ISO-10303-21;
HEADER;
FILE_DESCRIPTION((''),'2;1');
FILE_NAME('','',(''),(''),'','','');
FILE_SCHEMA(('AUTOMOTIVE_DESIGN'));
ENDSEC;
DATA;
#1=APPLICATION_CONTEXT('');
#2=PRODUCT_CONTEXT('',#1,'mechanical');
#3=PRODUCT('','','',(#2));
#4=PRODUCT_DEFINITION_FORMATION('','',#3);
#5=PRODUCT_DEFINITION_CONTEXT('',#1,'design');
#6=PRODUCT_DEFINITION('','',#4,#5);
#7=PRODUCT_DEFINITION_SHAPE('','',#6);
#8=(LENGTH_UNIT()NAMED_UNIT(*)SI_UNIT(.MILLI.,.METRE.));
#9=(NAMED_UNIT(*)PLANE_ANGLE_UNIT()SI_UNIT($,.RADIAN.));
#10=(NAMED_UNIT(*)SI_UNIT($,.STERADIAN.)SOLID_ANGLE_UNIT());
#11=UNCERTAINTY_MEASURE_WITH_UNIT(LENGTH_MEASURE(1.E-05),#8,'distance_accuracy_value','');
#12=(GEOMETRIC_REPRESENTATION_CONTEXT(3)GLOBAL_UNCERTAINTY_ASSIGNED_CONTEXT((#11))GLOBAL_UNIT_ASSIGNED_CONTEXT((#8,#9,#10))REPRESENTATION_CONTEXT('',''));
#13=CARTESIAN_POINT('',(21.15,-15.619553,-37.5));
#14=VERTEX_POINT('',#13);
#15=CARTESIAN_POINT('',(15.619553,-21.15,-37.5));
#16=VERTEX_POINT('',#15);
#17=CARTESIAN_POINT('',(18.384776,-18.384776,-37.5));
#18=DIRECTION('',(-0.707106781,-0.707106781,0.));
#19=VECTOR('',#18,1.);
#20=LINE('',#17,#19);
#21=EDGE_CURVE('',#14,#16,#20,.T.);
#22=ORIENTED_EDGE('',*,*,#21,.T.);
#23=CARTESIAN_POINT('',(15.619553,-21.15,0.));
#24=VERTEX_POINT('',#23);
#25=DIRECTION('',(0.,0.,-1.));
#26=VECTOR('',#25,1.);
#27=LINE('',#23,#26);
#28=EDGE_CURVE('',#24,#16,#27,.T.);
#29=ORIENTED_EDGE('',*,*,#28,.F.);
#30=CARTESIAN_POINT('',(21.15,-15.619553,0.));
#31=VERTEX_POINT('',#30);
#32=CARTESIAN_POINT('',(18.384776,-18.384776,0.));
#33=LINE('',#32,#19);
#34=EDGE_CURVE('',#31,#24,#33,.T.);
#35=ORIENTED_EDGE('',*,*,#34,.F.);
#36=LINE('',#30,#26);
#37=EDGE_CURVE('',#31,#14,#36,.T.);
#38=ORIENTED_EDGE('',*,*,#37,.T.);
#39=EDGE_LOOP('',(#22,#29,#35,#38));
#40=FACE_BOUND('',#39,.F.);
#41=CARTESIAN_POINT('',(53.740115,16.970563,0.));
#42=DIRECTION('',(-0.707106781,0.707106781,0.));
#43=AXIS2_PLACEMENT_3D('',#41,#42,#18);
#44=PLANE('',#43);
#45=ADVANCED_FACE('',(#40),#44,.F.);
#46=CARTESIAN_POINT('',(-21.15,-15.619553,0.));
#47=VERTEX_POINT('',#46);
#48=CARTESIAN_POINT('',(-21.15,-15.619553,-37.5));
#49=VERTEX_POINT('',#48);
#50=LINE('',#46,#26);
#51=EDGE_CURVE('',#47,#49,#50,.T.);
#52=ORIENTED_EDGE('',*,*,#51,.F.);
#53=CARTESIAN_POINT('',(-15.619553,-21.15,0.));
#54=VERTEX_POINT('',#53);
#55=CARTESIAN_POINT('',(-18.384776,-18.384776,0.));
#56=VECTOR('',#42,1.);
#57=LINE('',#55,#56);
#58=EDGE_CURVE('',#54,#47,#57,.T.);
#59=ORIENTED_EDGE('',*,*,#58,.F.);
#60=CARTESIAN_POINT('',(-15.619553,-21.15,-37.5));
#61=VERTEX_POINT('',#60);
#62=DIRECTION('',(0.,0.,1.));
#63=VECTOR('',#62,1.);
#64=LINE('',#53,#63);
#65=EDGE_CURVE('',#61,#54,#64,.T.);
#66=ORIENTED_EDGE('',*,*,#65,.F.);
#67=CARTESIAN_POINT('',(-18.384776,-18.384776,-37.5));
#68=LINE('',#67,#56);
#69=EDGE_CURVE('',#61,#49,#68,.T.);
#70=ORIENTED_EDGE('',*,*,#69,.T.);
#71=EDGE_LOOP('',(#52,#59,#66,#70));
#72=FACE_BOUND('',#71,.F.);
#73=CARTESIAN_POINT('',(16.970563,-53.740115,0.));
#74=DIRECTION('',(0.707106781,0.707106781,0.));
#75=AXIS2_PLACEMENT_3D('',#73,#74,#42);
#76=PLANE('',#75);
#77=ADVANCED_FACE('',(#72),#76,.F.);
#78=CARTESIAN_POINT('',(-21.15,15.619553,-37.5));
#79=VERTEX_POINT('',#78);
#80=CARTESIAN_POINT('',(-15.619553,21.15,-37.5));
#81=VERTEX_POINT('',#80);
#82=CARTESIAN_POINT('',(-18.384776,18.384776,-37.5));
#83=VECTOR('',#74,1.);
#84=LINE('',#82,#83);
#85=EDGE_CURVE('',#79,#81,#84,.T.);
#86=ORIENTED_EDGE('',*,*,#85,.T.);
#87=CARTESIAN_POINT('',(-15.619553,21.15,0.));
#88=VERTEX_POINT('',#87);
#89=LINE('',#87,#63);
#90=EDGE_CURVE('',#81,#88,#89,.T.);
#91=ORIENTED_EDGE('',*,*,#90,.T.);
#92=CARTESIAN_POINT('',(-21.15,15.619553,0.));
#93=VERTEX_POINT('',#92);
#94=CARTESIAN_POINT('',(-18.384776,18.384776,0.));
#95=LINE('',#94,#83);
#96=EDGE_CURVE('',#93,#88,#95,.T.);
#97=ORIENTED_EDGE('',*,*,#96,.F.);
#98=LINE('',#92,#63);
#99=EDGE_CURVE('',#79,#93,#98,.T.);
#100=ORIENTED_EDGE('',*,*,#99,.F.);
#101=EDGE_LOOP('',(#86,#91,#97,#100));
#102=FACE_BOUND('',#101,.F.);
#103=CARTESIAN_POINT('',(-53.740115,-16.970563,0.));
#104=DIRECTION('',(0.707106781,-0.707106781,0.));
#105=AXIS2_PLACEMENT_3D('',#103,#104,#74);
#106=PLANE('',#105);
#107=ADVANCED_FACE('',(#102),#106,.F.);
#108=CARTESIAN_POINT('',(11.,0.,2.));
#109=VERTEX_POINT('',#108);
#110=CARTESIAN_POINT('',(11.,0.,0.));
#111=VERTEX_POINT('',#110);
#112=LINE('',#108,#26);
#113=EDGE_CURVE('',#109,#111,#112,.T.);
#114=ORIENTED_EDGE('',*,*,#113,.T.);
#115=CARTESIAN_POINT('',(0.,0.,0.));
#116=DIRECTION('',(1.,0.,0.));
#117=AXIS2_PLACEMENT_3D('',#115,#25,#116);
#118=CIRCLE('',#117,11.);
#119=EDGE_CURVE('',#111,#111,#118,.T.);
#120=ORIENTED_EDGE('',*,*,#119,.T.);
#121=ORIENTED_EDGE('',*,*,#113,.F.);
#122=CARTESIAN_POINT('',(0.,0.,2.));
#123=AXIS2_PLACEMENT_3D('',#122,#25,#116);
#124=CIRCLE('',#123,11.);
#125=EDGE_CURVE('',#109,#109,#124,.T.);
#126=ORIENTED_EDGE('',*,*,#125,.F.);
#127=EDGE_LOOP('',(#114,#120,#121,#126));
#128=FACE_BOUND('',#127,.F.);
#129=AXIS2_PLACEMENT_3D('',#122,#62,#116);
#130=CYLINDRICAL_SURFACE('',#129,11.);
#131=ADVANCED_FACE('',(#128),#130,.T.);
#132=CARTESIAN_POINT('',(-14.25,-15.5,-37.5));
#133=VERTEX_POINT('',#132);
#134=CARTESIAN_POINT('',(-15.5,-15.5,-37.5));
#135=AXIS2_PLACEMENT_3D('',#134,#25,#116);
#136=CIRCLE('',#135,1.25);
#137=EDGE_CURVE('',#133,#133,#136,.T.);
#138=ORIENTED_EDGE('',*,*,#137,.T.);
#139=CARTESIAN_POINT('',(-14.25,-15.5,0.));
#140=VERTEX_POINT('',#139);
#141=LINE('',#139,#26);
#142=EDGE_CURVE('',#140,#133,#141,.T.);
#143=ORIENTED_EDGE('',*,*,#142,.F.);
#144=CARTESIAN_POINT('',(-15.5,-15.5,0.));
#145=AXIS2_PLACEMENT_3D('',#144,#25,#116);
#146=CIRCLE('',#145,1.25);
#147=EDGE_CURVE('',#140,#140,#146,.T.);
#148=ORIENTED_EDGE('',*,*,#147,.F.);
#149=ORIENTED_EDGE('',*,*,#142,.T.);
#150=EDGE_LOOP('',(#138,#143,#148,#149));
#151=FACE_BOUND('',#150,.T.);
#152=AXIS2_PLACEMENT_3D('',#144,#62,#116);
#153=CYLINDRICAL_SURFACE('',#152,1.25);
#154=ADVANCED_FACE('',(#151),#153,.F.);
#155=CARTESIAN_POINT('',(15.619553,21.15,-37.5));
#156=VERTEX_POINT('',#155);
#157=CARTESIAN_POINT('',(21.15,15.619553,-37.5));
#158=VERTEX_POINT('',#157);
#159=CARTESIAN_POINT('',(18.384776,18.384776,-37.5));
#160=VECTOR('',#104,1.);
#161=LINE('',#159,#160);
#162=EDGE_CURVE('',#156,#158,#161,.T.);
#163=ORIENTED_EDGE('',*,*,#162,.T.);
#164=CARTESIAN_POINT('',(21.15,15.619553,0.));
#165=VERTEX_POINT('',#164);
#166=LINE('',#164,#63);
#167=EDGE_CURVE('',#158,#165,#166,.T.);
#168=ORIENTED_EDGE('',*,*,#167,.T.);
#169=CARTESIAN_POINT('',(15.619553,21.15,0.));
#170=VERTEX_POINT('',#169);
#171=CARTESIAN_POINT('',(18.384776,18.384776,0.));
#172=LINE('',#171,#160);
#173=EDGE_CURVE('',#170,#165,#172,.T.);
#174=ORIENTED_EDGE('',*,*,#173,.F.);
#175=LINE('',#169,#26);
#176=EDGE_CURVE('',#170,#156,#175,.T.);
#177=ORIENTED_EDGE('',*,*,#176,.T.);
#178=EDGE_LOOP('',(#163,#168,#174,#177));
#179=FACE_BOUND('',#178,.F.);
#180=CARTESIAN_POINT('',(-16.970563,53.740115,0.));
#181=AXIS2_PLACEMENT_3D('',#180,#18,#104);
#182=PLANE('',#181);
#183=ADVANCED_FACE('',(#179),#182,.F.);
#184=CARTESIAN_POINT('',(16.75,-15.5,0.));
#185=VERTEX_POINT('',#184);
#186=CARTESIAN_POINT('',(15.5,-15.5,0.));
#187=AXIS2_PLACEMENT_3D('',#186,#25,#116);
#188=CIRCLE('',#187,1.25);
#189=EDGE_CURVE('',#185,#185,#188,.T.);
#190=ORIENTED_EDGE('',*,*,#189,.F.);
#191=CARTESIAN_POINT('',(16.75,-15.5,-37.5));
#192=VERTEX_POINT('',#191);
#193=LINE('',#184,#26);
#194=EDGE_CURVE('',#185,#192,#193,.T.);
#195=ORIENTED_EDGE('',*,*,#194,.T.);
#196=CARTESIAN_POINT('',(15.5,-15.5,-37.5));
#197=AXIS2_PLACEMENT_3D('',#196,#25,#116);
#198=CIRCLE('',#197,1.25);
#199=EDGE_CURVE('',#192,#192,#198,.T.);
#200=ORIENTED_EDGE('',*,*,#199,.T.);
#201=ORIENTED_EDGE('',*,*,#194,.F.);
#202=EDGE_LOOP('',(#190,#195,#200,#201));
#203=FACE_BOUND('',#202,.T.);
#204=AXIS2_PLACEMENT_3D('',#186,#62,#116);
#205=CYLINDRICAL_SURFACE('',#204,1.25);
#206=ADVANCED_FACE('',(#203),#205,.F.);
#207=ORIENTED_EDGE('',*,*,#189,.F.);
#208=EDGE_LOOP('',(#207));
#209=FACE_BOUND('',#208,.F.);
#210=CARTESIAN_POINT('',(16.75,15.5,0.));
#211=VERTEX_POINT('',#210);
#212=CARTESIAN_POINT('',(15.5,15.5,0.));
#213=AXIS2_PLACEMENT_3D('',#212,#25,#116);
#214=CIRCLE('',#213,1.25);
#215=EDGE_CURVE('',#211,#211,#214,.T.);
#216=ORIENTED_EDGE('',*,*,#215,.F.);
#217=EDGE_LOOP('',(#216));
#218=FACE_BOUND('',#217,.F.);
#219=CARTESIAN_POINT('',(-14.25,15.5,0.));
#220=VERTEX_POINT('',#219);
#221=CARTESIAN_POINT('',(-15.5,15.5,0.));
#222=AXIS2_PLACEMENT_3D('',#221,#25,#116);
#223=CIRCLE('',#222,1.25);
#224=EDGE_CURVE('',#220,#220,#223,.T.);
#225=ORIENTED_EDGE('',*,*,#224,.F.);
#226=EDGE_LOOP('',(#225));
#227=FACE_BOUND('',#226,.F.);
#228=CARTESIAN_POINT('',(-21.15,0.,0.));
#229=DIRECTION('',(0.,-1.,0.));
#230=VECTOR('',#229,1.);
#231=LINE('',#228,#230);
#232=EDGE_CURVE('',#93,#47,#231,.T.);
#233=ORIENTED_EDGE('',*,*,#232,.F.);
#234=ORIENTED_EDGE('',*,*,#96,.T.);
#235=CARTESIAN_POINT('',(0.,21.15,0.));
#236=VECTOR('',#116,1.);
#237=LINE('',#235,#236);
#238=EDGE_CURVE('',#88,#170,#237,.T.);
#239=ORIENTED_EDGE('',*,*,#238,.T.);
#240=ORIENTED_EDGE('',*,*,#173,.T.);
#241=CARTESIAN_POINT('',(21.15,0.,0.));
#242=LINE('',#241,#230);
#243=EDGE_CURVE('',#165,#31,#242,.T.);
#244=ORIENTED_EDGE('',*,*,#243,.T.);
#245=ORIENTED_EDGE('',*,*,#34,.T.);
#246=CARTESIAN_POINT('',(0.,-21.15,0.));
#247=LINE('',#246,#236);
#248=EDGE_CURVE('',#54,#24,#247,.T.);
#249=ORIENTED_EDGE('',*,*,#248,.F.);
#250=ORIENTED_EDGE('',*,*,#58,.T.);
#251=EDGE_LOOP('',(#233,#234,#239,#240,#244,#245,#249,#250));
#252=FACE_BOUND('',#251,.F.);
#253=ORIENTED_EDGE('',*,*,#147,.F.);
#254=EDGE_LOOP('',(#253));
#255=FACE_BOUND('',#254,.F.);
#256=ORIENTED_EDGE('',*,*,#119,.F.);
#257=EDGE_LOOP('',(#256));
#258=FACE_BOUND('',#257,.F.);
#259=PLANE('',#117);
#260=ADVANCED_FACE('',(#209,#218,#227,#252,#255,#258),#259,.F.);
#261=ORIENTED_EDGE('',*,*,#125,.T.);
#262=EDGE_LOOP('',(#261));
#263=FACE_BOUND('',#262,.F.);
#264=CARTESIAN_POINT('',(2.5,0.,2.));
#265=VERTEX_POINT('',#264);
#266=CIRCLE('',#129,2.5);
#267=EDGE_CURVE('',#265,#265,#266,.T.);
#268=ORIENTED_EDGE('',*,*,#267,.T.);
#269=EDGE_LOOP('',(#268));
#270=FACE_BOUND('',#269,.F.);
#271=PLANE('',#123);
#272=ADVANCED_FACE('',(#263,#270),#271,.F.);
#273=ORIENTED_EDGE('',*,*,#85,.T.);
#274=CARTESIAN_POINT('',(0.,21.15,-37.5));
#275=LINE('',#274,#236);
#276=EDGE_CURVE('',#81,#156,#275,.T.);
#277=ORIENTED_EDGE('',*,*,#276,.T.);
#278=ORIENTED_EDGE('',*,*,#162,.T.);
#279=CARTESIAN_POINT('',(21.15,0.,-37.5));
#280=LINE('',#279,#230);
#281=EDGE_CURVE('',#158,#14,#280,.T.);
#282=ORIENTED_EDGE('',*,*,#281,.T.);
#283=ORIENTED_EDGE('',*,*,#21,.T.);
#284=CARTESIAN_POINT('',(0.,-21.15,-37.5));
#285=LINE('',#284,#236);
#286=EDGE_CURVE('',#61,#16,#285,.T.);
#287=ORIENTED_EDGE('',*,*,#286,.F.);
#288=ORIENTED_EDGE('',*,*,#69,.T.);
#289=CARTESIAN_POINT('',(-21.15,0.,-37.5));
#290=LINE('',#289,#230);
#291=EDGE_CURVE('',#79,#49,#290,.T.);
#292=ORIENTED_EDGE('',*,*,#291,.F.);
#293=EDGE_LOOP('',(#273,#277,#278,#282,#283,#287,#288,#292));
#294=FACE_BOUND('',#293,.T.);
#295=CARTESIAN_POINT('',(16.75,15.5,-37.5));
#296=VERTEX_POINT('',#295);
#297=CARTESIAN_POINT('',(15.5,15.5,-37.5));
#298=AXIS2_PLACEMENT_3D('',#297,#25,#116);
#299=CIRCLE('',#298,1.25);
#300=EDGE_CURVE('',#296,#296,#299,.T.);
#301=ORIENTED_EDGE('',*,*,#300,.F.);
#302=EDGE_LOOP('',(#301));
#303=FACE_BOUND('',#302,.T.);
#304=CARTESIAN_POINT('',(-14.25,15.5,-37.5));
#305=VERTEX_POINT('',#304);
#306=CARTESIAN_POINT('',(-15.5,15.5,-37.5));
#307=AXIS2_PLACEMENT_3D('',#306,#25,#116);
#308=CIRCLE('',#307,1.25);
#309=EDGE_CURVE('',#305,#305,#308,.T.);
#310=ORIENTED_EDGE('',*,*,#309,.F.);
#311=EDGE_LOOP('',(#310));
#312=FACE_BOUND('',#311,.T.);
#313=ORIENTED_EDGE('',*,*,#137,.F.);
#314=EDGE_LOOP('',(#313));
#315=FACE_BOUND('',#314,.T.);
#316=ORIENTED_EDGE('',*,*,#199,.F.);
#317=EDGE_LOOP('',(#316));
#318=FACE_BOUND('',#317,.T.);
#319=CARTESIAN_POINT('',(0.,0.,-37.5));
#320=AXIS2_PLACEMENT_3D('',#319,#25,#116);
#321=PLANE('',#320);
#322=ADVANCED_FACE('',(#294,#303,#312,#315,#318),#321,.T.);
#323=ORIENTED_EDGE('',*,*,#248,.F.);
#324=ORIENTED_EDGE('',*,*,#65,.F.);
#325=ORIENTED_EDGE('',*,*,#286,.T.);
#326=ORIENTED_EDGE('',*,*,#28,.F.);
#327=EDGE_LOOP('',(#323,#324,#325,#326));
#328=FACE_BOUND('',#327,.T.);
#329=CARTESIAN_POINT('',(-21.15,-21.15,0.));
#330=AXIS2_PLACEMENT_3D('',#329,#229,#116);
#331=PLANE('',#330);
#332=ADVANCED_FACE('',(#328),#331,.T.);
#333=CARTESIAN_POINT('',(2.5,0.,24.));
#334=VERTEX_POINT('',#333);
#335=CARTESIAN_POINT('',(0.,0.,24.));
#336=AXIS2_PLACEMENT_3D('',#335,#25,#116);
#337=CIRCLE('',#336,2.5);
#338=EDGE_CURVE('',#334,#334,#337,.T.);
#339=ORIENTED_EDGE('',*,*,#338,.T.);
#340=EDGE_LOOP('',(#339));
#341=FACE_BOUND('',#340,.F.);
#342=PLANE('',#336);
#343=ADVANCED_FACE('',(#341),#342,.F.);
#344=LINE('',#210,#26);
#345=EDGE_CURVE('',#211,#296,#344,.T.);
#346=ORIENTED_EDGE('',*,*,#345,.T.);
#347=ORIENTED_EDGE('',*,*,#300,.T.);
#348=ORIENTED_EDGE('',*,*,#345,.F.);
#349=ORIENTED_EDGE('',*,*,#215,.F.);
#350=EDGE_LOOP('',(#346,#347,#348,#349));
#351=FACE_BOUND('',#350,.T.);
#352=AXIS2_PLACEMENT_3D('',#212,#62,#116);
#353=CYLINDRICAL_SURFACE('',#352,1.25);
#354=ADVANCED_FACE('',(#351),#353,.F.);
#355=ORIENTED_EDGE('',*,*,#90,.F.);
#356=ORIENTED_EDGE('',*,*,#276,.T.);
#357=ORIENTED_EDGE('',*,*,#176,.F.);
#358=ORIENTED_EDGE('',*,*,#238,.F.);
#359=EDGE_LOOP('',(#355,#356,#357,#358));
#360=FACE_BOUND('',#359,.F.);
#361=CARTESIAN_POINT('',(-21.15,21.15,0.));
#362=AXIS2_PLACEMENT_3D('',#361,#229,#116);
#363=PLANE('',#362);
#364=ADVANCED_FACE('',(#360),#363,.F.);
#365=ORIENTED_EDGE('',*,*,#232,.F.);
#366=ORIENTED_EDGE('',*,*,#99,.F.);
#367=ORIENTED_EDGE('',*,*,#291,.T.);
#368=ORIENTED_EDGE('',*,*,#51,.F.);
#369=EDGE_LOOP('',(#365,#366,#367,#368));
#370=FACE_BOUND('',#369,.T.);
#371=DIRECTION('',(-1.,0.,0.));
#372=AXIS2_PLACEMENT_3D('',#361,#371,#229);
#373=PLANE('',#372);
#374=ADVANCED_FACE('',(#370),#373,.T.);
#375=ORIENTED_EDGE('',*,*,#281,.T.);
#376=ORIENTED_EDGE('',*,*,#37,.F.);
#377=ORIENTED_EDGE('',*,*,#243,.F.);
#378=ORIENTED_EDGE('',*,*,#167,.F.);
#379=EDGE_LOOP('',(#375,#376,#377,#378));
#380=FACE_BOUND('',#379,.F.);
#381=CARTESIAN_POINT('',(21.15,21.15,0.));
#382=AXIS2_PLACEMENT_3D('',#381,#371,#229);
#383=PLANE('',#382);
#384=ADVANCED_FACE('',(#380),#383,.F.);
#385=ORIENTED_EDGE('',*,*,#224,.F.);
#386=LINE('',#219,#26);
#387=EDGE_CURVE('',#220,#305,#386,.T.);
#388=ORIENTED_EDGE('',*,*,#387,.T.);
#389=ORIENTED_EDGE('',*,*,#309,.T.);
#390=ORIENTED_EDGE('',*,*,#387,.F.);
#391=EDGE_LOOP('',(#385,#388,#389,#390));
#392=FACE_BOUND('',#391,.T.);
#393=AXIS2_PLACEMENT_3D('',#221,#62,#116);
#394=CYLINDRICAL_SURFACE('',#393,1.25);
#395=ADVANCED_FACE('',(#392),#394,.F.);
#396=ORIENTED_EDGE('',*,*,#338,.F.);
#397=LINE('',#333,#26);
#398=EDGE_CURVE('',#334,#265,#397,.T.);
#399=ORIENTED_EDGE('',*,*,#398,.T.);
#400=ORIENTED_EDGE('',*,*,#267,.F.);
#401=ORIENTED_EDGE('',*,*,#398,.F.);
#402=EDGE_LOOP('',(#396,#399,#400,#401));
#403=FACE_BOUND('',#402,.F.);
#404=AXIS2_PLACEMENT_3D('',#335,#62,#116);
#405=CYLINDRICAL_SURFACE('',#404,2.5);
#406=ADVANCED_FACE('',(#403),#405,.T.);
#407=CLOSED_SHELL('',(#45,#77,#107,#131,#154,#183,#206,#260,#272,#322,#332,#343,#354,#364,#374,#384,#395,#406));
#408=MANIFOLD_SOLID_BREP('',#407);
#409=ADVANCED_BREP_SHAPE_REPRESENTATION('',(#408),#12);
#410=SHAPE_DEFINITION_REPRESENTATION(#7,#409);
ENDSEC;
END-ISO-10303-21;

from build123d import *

# Parameters (mm, degrees)
BOX002_W                    = 100
BOX002_H                    = 100
BOX002_DEPTH                = 37.5
COMPOUND002_PLACEMENT_ANGLE = 135
BOX003_W                    = 100
BOX003_H                    = 100
BOX003_DEPTH                = 37.5
COMPOUND003_PLACEMENT_ANGLE = 225
BOX004_W                    = 100
BOX004_H                    = 100
BOX004_DEPTH                = 37.5
COMPOUND004_PLACEMENT_ANGLE = 315
BOX001_W                    = 100
BOX001_H                    = 100
BOX001_DEPTH                = 37.5
COMPOUND001_PLACEMENT_ANGLE = 45
CYLINDER002_R               = 1.25
CYLINDER002_DEPTH           = 37.5
CYLINDER003_R               = 1.25
CYLINDER003_DEPTH           = 37.5
CYLINDER004_R               = 1.25
CYLINDER004_DEPTH           = 37.5
CYLINDER005_R               = 1.25
CYLINDER005_DEPTH           = 37.5
BOX_W                       = 42.3
BOX_H                       = 42.3
BOX_DEPTH                   = 37.5
CYLINDER_R                  = 11
CYLINDER_DEPTH              = 2
CYLINDER001_R               = 2.5
CYLINDER001_DEPTH           = 24
CUT001_PLACEMENT_ANGLE      = 180


with BuildPart() as compound002:
    # Box002 → Box002 (new body)
    with BuildSketch(Plane(origin=(26, -50, 0), x_dir=(1, 0, 0), z_dir=(0, 0, 1))):
        with Locations((50, 50)):
            Rectangle(BOX002_W, BOX002_H)
    extrude(amount=BOX002_DEPTH)


with BuildPart() as compound002_1:
    # Compound002 placement: moved
    add(compound002.part.rotate(Axis((0, 0, 0), (0, 0, 1)), COMPOUND002_PLACEMENT_ANGLE))


with BuildPart() as compound003:
    # Box003 → Box003 (new body)
    with BuildSketch(Plane(origin=(26, -50, 0), x_dir=(1, 0, 0), z_dir=(0, 0, 1))):
        with Locations((50, 50)):
            Rectangle(BOX003_W, BOX003_H)
    extrude(amount=BOX003_DEPTH)


with BuildPart() as compound003_1:
    # Compound003 placement: moved
    add(compound003.part.rotate(Axis((0, 0, 0), (0, 0, 1)), COMPOUND003_PLACEMENT_ANGLE))


with BuildPart() as compound004:
    # Box004 → Box004 (new body)
    with BuildSketch(Plane(origin=(26, -50, 0), x_dir=(1, 0, 0), z_dir=(0, 0, 1))):
        with Locations((50, 50)):
            Rectangle(BOX004_W, BOX004_H)
    extrude(amount=BOX004_DEPTH)


with BuildPart() as compound004_1:
    # Compound004 placement: moved
    add(compound004.part.rotate(Axis((0, 0, 0), (0, 0, 1)), COMPOUND004_PLACEMENT_ANGLE))


with BuildPart() as compound005:
    # Box001 → Box001 (new body)
    with BuildSketch(Plane(origin=(26, -50, 0), x_dir=(1, 0, 0), z_dir=(0, 0, 1))):
        with Locations((50, 50)):
            Rectangle(BOX001_W, BOX001_H)
    extrude(amount=BOX001_DEPTH)


with BuildPart() as compound005_1:
    # Compound001 placement: moved
    add(compound005.part.rotate(Axis((0, 0, 0), (0, 0, 1)), COMPOUND001_PLACEMENT_ANGLE))

    # Compound005: union Compound002, Compound003, Compound004
    add(compound002_1.part)
    add(compound003_1.part)
    add(compound004_1.part)


with BuildPart() as cylinder002:
    # Cylinder002 → Cylinder002 (new body)
    with BuildSketch(Plane(origin=(15.5, 15.5, 0), x_dir=(1, 0, 0), z_dir=(0, 0, 1))):
        Circle(CYLINDER002_R)
    extrude(amount=CYLINDER002_DEPTH)


with BuildPart() as cylinder003:
    # Cylinder003 → Cylinder003 (new body)
    with BuildSketch(Plane(origin=(-15.5, 15.5, 0), x_dir=(1, 0, 0), z_dir=(0, 0, 1))):
        Circle(CYLINDER003_R)
    extrude(amount=CYLINDER003_DEPTH)


with BuildPart() as cylinder004:
    # Cylinder004 → Cylinder004 (new body)
    with BuildSketch(Plane(origin=(15.5, -15.5, 0), x_dir=(1, 0, 0), z_dir=(0, 0, 1))):
        Circle(CYLINDER004_R)
    extrude(amount=CYLINDER004_DEPTH)


with BuildPart() as compound:
    # Cylinder005 → Cylinder005 (new body)
    with BuildSketch(Plane(origin=(-15.5, -15.5, 0), x_dir=(1, 0, 0), z_dir=(0, 0, 1))):
        Circle(CYLINDER005_R)
    extrude(amount=CYLINDER005_DEPTH)

    # Compound: union Cylinder002, Cylinder003, Cylinder004
    add(cylinder002.part)
    add(cylinder003.part)
    add(cylinder004.part)


with BuildPart() as cube:
    # Box → Box (new body)
    with BuildSketch(Plane(origin=(-21.15, -21.15, 0), x_dir=(1, 0, 0), z_dir=(0, 0, 1))):
        with Locations((21.15, 21.15)):
            Rectangle(BOX_W, BOX_H)
    extrude(amount=BOX_DEPTH)


with BuildPart() as fusion:
    # Cylinder → Cylinder (new body)
    with BuildSketch(Plane.XY.offset(-2)):
        Circle(CYLINDER_R)
    extrude(amount=CYLINDER_DEPTH)

    # Fusion: union Cube
    add(cube.part)


with BuildPart() as nema17stepper:
    # Cylinder001 → Cylinder001 (new body)
    with BuildSketch(Plane.XY.offset(-24)):
        Circle(CYLINDER001_R)
    extrude(amount=CYLINDER001_DEPTH)

    # Fusion001: union Fusion
    add(fusion.part)

    # Cut: cut Compound
    add(compound.part, mode=Mode.SUBTRACT)

    # Cut001: cut Compound005
    add(compound005_1.part, mode=Mode.SUBTRACT)


with BuildPart() as nema17stepper_1:
    # Cut001 placement: moved
    add(nema17stepper.part.rotate(Axis((0, 0, 0), (1, 0, 0)), CUT001_PLACEMENT_ANGLE))


solid = nema17stepper_1.part
